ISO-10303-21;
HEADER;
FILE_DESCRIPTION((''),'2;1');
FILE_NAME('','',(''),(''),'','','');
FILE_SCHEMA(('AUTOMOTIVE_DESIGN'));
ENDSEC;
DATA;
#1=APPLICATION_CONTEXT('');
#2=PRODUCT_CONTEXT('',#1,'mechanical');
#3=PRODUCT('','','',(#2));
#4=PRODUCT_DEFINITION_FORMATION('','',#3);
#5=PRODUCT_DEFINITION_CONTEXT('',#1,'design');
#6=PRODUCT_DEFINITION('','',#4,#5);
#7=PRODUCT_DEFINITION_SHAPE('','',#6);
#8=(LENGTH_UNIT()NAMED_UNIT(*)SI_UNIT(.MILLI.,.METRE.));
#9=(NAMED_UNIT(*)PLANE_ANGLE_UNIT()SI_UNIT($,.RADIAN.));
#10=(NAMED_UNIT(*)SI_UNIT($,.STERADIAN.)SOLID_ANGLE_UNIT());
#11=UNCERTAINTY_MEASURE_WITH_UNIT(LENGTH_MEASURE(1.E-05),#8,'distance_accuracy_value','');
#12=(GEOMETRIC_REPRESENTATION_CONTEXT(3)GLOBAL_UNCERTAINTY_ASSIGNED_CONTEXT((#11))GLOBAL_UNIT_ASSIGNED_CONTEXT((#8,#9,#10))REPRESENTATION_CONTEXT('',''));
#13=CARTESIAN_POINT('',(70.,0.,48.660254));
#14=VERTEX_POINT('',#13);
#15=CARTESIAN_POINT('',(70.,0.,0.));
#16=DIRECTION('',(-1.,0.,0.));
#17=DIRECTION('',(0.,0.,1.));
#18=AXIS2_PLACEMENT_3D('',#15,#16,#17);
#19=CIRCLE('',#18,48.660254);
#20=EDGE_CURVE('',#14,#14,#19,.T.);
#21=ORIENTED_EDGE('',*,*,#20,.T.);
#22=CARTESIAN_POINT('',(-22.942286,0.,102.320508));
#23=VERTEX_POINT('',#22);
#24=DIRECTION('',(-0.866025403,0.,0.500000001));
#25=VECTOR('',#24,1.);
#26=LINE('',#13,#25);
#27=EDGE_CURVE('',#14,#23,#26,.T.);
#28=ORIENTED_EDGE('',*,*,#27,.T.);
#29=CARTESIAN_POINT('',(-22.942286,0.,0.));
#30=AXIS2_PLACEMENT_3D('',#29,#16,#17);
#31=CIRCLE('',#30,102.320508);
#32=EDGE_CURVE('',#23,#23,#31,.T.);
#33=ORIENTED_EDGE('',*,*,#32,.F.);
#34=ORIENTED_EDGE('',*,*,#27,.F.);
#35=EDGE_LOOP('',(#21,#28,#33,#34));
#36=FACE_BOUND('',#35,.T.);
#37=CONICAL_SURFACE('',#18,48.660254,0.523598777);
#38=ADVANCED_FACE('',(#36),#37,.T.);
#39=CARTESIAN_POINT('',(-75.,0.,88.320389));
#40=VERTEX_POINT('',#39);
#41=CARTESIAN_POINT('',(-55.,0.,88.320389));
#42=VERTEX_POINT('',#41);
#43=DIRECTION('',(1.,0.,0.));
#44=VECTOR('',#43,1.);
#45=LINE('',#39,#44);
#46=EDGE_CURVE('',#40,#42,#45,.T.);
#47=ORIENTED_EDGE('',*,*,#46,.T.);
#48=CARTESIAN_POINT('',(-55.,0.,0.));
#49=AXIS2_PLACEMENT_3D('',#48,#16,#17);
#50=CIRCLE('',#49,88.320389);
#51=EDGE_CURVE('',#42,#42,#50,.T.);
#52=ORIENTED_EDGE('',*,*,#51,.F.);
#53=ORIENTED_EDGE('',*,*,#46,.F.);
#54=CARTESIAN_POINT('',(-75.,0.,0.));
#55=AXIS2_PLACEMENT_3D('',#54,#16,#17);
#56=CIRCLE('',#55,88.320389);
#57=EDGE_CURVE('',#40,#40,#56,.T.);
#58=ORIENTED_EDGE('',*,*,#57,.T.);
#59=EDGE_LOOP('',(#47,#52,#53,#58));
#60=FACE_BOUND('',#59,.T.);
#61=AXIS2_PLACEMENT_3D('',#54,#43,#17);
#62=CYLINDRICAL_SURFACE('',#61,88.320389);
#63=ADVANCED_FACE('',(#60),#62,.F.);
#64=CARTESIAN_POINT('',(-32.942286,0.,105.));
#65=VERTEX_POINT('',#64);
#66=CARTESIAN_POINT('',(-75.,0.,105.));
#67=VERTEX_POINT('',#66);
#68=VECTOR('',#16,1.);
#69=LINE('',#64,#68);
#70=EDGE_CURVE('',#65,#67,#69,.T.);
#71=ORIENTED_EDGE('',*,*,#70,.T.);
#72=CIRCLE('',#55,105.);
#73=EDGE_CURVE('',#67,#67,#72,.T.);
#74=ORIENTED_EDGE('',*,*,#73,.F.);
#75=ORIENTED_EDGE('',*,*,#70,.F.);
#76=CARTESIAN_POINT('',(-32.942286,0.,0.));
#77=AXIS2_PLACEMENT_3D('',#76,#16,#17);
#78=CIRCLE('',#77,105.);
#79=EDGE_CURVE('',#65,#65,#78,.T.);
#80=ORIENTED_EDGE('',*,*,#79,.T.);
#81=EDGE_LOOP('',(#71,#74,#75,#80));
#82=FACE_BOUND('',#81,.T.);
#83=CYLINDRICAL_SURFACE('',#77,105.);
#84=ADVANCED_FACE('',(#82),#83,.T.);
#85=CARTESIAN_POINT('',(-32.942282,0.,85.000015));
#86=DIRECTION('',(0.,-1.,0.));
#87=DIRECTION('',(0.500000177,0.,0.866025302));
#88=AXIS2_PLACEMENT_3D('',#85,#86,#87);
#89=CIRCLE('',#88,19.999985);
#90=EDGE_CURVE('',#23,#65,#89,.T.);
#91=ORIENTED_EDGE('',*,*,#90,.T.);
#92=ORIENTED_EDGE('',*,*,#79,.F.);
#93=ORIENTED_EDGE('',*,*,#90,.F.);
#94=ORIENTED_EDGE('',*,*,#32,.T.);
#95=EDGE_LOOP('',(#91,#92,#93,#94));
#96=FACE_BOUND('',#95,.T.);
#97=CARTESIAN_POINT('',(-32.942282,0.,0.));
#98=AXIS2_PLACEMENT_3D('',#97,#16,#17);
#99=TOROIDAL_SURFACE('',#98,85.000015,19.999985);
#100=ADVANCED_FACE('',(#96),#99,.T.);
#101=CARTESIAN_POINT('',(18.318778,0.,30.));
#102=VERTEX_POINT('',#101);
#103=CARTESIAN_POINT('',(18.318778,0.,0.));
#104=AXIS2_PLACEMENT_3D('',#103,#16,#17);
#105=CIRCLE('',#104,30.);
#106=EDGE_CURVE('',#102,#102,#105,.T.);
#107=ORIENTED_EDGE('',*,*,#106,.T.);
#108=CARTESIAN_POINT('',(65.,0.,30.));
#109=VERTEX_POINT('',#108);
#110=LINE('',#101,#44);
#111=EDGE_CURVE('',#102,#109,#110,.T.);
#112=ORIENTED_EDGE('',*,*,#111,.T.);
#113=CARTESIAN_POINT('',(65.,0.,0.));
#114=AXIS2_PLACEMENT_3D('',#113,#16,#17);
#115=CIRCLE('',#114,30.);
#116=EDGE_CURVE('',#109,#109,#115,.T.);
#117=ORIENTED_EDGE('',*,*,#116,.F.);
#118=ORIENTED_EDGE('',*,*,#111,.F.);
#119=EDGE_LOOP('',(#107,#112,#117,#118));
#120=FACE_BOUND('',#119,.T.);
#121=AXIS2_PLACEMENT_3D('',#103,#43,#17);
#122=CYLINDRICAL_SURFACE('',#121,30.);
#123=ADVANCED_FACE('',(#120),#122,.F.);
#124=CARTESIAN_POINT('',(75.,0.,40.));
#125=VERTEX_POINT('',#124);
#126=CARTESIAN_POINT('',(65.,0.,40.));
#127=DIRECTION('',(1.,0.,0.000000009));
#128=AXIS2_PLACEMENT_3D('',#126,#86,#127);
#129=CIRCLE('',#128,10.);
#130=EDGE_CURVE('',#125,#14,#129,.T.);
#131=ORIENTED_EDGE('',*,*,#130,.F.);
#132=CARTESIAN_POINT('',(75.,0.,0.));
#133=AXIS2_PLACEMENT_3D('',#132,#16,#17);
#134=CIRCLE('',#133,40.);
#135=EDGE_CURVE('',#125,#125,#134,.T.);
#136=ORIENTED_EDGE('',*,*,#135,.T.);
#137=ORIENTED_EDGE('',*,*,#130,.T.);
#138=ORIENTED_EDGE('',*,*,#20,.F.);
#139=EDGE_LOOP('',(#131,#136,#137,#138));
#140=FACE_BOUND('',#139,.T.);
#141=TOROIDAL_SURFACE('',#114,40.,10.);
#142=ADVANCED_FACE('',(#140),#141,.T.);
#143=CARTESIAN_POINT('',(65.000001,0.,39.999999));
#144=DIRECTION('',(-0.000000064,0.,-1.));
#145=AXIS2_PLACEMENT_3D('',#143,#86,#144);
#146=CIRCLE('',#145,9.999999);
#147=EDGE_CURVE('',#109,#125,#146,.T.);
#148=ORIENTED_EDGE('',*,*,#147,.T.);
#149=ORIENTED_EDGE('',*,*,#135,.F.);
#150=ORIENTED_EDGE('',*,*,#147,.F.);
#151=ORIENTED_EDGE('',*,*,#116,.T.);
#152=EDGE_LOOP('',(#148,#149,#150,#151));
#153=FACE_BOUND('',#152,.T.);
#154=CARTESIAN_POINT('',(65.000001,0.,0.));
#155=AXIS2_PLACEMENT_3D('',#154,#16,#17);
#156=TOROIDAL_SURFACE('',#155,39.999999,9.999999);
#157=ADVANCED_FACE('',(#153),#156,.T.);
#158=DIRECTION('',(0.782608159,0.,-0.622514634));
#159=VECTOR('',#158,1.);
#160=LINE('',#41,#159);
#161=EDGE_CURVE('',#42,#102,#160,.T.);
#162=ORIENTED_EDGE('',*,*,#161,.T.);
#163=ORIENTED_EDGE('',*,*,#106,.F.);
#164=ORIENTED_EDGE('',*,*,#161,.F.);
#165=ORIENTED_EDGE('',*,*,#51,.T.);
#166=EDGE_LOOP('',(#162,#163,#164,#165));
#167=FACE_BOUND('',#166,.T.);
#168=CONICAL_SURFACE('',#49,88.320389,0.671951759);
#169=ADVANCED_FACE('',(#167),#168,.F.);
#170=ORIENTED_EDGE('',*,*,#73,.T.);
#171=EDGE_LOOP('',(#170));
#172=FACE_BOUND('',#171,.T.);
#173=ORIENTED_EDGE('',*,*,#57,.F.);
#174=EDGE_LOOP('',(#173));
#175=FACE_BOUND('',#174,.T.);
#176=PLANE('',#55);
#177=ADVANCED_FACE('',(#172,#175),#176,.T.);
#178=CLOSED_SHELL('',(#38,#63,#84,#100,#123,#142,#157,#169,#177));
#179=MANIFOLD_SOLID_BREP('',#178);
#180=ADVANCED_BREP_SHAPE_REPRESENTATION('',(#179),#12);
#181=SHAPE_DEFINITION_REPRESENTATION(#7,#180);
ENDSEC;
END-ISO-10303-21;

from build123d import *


with BuildPart() as f1:
    # F0 (on Front) → F1 (revolve)
    with BuildSketch(Plane.XZ):
        with BuildLine():
            Line((-32.942286, 105), (-75, 105))
            Line((-75, 105), (-75, 88.320389))
            Line((-75, 88.320389), (-55, 88.320389))
            Line((-55, 88.320389), (18.318778, 30))
            Line((18.318778, 30), (65, 30))
            ThreePointArc((65, 30), (72.071068, 32.928932), (75, 40))
            ThreePointArc((75, 40), (73.660254, 45), (70, 48.660254))
            Line((70, 48.660254), (-22.942286, 102.320508))
            ThreePointArc((-22.942286, 102.320508), (-27.765905, 104.318517), (-32.942286, 105))
        make_face()
    revolve(axis=Axis((-37.41489, 0, 0), (-1, 0, 0)))


solid = f1.part
